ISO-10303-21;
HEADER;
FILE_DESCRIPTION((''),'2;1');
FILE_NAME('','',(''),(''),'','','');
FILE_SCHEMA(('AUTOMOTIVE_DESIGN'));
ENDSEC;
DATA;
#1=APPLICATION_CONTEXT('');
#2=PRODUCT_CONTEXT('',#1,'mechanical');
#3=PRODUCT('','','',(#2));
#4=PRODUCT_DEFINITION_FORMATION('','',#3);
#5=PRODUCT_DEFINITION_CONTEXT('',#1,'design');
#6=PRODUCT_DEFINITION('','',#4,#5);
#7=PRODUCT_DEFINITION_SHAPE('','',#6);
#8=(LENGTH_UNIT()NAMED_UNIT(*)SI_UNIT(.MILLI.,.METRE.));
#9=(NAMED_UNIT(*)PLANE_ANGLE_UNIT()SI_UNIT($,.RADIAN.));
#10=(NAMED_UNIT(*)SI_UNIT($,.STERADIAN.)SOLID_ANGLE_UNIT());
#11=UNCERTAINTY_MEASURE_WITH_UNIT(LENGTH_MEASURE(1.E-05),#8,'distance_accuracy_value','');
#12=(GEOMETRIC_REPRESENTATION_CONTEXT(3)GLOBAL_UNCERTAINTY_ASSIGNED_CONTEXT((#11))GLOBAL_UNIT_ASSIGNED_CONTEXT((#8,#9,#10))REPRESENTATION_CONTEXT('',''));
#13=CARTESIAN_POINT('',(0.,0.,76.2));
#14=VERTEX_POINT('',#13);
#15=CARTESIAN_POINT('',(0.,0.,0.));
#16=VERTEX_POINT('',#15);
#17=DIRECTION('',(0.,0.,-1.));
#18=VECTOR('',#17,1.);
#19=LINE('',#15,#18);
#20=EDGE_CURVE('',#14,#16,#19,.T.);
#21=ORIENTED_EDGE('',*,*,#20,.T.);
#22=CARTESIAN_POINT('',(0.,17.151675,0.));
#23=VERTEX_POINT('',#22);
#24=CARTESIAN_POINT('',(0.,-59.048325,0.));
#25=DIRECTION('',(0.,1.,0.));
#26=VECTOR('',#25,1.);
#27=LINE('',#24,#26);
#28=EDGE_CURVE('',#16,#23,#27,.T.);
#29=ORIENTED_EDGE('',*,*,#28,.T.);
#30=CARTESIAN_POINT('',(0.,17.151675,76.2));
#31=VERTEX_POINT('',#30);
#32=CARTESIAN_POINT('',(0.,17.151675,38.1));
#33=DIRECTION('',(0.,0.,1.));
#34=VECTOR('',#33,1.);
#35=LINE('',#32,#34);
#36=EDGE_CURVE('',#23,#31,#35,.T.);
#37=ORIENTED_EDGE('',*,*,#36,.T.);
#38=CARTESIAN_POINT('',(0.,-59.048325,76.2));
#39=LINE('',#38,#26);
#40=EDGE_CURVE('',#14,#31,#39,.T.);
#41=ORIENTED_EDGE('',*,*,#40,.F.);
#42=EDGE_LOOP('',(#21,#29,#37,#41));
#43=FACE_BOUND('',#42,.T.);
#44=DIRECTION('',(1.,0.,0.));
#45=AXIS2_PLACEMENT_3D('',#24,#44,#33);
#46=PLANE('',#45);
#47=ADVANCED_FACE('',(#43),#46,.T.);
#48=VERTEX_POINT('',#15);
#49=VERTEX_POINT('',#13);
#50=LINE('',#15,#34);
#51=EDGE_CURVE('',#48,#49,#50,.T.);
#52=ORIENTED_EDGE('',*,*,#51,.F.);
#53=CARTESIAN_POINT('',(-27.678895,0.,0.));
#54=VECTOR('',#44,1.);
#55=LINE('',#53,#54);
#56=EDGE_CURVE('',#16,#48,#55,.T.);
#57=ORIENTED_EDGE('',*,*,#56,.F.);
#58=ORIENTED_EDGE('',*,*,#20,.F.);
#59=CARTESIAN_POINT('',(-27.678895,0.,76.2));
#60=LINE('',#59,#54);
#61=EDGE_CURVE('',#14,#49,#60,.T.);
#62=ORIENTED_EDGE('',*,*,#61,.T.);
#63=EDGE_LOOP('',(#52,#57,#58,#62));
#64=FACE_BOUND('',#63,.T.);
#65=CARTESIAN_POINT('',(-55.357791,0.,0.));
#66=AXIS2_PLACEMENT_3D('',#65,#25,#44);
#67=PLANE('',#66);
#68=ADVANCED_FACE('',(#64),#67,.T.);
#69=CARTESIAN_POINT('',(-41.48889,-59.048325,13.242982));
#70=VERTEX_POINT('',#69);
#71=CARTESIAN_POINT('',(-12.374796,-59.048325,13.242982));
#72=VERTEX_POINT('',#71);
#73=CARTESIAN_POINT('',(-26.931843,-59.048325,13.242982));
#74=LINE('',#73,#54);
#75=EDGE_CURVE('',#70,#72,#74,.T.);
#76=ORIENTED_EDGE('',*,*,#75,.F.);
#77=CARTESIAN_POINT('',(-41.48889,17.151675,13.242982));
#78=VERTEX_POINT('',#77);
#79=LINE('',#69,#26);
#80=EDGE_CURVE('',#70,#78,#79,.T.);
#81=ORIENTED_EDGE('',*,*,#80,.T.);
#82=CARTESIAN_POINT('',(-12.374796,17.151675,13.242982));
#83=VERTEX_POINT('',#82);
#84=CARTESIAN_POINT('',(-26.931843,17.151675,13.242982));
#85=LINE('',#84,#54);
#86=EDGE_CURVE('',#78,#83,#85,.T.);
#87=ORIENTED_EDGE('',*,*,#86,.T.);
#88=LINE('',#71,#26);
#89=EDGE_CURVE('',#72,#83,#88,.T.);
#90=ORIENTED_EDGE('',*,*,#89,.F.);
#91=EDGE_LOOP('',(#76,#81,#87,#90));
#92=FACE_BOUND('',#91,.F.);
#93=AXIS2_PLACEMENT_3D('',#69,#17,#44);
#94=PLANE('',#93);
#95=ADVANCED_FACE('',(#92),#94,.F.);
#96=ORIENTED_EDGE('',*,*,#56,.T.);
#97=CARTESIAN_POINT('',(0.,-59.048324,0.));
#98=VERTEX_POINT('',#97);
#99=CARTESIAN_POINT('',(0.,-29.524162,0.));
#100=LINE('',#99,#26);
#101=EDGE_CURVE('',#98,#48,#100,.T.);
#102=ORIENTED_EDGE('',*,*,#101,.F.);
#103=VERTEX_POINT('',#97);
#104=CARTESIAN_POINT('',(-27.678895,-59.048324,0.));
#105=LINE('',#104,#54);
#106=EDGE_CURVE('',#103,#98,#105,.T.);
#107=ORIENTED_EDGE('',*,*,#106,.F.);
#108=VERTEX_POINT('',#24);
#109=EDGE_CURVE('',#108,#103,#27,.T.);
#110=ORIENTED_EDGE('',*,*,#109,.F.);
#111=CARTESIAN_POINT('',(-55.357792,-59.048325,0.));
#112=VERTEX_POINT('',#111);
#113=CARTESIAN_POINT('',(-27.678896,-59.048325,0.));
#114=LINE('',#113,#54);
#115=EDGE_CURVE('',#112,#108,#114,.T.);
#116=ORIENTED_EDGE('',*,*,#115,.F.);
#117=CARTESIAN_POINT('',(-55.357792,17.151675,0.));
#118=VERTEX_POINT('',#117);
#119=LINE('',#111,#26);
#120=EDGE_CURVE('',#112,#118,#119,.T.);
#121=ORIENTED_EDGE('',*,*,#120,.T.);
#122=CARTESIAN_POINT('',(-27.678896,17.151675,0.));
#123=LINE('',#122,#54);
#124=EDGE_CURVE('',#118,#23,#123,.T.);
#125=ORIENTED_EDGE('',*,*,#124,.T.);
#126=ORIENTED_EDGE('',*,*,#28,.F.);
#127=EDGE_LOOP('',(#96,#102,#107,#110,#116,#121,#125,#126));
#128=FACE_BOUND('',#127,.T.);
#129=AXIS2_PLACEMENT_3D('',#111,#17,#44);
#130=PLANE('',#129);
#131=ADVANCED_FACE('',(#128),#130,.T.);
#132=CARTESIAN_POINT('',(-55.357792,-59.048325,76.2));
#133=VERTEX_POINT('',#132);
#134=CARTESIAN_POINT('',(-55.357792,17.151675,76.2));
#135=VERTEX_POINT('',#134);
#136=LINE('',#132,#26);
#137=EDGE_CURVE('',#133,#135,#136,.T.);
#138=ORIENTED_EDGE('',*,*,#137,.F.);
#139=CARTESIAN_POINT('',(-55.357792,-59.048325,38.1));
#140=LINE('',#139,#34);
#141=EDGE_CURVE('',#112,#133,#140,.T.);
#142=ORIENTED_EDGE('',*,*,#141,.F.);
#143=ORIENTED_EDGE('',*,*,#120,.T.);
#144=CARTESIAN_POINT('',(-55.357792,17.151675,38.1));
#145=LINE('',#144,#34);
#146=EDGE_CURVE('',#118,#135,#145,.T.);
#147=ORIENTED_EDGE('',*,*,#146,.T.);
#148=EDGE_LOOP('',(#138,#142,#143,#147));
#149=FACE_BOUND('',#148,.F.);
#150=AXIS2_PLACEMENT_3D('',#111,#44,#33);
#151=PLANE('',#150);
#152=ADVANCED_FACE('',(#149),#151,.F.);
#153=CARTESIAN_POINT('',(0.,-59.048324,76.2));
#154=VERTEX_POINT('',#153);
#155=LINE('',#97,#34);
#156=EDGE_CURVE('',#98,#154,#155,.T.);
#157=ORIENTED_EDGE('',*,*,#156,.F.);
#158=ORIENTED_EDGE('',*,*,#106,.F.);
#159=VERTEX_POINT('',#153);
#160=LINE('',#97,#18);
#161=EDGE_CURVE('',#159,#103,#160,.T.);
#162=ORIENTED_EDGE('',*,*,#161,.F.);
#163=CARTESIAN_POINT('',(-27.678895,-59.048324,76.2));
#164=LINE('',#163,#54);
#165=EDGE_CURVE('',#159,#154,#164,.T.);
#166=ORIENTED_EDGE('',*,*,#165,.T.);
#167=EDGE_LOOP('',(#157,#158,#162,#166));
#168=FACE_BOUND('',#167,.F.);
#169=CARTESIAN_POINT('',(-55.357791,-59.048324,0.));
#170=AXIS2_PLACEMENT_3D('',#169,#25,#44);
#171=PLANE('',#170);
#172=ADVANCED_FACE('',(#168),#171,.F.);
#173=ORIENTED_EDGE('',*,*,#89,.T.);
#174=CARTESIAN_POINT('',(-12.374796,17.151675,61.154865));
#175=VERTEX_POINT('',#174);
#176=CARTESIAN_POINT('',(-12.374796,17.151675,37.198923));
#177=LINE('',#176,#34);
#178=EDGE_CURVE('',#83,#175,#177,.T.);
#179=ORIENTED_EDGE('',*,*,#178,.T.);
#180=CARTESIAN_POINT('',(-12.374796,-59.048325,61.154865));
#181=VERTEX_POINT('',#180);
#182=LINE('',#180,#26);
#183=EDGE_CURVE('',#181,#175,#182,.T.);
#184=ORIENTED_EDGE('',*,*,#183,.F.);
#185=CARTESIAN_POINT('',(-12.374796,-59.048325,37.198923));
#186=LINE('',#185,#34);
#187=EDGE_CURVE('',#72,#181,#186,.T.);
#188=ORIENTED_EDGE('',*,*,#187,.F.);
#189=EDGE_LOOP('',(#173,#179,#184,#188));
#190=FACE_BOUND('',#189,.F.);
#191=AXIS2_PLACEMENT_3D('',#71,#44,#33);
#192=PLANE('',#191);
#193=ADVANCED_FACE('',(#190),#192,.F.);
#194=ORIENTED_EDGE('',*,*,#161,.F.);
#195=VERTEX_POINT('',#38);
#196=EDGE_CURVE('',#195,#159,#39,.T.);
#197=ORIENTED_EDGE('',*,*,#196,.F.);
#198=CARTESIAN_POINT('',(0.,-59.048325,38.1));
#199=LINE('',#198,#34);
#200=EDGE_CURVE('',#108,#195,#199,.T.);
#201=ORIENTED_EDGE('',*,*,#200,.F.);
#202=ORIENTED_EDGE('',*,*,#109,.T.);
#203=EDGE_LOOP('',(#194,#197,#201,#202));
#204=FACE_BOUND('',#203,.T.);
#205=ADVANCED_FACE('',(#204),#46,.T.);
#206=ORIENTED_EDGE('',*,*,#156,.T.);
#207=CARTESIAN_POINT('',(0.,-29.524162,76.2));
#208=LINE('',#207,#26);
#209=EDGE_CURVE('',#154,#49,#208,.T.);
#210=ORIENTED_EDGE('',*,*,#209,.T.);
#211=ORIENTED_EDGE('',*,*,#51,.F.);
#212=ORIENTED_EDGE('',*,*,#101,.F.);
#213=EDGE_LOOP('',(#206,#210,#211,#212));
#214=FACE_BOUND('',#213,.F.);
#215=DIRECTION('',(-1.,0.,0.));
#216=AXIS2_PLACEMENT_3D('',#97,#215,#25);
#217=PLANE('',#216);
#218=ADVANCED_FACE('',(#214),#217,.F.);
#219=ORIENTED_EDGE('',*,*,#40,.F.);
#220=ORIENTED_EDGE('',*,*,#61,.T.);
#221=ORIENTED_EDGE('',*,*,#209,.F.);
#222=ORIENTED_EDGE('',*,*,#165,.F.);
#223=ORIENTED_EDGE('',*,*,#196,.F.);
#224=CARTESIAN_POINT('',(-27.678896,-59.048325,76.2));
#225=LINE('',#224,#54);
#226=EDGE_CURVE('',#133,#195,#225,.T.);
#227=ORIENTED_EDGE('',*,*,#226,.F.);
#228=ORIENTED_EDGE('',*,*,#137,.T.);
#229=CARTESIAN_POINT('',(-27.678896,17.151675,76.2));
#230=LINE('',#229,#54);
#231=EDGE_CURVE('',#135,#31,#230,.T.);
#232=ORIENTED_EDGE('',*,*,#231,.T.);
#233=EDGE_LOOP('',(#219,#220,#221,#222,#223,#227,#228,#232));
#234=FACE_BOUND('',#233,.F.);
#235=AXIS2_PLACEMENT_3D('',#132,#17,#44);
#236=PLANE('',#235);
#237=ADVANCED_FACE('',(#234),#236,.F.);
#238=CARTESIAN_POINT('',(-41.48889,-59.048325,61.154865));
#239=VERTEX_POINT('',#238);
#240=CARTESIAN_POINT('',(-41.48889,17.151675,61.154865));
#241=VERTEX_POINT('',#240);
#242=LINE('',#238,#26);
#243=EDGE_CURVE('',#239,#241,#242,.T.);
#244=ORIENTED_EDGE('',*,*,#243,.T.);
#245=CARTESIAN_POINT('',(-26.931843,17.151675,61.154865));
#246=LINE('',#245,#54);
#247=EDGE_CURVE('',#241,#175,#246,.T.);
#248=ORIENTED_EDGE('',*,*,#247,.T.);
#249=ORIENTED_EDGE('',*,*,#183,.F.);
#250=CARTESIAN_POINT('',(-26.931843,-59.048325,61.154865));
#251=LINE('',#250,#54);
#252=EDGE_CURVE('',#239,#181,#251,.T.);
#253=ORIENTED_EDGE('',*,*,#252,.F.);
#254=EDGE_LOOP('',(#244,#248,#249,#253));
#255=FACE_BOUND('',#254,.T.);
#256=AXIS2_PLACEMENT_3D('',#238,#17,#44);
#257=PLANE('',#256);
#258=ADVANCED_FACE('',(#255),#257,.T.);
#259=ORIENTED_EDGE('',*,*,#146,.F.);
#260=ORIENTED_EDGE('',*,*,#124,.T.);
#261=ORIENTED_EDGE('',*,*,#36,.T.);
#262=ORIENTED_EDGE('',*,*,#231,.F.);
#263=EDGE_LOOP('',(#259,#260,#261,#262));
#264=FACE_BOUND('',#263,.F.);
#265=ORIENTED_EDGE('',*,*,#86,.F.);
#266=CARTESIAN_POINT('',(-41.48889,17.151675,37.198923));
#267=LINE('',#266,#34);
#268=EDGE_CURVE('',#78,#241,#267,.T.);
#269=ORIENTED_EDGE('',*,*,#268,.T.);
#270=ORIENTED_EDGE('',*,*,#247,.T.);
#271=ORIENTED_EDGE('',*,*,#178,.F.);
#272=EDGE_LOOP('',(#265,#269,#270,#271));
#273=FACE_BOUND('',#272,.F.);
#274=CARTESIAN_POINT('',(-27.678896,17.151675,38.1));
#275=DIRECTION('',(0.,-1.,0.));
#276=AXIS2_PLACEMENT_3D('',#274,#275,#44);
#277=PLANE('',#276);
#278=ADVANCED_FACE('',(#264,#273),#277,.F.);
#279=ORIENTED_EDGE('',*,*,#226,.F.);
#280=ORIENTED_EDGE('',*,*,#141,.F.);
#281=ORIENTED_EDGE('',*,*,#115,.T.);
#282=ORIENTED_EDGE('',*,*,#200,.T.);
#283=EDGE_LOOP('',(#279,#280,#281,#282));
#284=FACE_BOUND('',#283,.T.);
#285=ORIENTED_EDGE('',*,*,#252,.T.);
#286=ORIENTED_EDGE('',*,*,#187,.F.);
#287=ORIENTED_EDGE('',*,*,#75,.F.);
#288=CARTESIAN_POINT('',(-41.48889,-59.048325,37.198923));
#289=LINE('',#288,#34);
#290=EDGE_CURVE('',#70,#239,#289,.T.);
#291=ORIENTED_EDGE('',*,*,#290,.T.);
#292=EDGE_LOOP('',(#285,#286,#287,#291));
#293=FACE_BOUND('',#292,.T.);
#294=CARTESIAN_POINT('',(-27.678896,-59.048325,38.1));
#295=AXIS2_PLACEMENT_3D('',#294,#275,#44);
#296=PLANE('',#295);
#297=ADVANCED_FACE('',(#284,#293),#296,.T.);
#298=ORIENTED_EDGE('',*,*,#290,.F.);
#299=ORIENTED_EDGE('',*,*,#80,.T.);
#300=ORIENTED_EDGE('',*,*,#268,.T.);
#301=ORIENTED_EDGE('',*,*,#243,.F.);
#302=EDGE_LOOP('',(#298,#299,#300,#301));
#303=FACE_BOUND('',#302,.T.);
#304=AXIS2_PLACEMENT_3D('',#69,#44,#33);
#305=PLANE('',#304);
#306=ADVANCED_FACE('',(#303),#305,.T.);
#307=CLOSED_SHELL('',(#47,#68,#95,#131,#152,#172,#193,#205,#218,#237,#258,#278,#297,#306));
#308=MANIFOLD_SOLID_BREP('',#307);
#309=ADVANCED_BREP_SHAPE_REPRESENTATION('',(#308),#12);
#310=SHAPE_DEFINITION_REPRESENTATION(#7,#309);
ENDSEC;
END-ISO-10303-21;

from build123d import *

# Parameters (mm, degrees)
F0_W      = 55.357791
F0_H      = 59.048325
F1_DEPTH  = 76.2
F1_FACE_W = 55.357792
F1_FACE_H = 76.2
F2_DEPTH  = 76.2
F3_W      = 29.114094
F3_H      = 47.911883
F4_DEPTH  = 76.2


with BuildPart() as f1:
    # F0 (on Top) → F1 (new body)
    with BuildSketch(Plane.XY):
        with Locations((-27.678895, -29.524162)):
            Rectangle(F0_W, F0_H)
    extrude(amount=F1_DEPTH)

    # F1_face (on face) → F2 (join)
    with BuildSketch(Plane(origin=(-27.678896, -59.048325, 38.1), x_dir=(1, 0, 0), z_dir=(0, -1, 0))):
        Rectangle(F1_FACE_W, F1_FACE_H)
    extrude(amount=-F2_DEPTH)

    # F3 (on face) → F4 (cut, through all)
    with BuildSketch(Plane.XZ.offset(59.048325)):
        with Locations((-26.931843, 37.198923)):
            Rectangle(F3_W, F3_H)
    extrude(amount=-F4_DEPTH, mode=Mode.SUBTRACT)


solid = f1.part
